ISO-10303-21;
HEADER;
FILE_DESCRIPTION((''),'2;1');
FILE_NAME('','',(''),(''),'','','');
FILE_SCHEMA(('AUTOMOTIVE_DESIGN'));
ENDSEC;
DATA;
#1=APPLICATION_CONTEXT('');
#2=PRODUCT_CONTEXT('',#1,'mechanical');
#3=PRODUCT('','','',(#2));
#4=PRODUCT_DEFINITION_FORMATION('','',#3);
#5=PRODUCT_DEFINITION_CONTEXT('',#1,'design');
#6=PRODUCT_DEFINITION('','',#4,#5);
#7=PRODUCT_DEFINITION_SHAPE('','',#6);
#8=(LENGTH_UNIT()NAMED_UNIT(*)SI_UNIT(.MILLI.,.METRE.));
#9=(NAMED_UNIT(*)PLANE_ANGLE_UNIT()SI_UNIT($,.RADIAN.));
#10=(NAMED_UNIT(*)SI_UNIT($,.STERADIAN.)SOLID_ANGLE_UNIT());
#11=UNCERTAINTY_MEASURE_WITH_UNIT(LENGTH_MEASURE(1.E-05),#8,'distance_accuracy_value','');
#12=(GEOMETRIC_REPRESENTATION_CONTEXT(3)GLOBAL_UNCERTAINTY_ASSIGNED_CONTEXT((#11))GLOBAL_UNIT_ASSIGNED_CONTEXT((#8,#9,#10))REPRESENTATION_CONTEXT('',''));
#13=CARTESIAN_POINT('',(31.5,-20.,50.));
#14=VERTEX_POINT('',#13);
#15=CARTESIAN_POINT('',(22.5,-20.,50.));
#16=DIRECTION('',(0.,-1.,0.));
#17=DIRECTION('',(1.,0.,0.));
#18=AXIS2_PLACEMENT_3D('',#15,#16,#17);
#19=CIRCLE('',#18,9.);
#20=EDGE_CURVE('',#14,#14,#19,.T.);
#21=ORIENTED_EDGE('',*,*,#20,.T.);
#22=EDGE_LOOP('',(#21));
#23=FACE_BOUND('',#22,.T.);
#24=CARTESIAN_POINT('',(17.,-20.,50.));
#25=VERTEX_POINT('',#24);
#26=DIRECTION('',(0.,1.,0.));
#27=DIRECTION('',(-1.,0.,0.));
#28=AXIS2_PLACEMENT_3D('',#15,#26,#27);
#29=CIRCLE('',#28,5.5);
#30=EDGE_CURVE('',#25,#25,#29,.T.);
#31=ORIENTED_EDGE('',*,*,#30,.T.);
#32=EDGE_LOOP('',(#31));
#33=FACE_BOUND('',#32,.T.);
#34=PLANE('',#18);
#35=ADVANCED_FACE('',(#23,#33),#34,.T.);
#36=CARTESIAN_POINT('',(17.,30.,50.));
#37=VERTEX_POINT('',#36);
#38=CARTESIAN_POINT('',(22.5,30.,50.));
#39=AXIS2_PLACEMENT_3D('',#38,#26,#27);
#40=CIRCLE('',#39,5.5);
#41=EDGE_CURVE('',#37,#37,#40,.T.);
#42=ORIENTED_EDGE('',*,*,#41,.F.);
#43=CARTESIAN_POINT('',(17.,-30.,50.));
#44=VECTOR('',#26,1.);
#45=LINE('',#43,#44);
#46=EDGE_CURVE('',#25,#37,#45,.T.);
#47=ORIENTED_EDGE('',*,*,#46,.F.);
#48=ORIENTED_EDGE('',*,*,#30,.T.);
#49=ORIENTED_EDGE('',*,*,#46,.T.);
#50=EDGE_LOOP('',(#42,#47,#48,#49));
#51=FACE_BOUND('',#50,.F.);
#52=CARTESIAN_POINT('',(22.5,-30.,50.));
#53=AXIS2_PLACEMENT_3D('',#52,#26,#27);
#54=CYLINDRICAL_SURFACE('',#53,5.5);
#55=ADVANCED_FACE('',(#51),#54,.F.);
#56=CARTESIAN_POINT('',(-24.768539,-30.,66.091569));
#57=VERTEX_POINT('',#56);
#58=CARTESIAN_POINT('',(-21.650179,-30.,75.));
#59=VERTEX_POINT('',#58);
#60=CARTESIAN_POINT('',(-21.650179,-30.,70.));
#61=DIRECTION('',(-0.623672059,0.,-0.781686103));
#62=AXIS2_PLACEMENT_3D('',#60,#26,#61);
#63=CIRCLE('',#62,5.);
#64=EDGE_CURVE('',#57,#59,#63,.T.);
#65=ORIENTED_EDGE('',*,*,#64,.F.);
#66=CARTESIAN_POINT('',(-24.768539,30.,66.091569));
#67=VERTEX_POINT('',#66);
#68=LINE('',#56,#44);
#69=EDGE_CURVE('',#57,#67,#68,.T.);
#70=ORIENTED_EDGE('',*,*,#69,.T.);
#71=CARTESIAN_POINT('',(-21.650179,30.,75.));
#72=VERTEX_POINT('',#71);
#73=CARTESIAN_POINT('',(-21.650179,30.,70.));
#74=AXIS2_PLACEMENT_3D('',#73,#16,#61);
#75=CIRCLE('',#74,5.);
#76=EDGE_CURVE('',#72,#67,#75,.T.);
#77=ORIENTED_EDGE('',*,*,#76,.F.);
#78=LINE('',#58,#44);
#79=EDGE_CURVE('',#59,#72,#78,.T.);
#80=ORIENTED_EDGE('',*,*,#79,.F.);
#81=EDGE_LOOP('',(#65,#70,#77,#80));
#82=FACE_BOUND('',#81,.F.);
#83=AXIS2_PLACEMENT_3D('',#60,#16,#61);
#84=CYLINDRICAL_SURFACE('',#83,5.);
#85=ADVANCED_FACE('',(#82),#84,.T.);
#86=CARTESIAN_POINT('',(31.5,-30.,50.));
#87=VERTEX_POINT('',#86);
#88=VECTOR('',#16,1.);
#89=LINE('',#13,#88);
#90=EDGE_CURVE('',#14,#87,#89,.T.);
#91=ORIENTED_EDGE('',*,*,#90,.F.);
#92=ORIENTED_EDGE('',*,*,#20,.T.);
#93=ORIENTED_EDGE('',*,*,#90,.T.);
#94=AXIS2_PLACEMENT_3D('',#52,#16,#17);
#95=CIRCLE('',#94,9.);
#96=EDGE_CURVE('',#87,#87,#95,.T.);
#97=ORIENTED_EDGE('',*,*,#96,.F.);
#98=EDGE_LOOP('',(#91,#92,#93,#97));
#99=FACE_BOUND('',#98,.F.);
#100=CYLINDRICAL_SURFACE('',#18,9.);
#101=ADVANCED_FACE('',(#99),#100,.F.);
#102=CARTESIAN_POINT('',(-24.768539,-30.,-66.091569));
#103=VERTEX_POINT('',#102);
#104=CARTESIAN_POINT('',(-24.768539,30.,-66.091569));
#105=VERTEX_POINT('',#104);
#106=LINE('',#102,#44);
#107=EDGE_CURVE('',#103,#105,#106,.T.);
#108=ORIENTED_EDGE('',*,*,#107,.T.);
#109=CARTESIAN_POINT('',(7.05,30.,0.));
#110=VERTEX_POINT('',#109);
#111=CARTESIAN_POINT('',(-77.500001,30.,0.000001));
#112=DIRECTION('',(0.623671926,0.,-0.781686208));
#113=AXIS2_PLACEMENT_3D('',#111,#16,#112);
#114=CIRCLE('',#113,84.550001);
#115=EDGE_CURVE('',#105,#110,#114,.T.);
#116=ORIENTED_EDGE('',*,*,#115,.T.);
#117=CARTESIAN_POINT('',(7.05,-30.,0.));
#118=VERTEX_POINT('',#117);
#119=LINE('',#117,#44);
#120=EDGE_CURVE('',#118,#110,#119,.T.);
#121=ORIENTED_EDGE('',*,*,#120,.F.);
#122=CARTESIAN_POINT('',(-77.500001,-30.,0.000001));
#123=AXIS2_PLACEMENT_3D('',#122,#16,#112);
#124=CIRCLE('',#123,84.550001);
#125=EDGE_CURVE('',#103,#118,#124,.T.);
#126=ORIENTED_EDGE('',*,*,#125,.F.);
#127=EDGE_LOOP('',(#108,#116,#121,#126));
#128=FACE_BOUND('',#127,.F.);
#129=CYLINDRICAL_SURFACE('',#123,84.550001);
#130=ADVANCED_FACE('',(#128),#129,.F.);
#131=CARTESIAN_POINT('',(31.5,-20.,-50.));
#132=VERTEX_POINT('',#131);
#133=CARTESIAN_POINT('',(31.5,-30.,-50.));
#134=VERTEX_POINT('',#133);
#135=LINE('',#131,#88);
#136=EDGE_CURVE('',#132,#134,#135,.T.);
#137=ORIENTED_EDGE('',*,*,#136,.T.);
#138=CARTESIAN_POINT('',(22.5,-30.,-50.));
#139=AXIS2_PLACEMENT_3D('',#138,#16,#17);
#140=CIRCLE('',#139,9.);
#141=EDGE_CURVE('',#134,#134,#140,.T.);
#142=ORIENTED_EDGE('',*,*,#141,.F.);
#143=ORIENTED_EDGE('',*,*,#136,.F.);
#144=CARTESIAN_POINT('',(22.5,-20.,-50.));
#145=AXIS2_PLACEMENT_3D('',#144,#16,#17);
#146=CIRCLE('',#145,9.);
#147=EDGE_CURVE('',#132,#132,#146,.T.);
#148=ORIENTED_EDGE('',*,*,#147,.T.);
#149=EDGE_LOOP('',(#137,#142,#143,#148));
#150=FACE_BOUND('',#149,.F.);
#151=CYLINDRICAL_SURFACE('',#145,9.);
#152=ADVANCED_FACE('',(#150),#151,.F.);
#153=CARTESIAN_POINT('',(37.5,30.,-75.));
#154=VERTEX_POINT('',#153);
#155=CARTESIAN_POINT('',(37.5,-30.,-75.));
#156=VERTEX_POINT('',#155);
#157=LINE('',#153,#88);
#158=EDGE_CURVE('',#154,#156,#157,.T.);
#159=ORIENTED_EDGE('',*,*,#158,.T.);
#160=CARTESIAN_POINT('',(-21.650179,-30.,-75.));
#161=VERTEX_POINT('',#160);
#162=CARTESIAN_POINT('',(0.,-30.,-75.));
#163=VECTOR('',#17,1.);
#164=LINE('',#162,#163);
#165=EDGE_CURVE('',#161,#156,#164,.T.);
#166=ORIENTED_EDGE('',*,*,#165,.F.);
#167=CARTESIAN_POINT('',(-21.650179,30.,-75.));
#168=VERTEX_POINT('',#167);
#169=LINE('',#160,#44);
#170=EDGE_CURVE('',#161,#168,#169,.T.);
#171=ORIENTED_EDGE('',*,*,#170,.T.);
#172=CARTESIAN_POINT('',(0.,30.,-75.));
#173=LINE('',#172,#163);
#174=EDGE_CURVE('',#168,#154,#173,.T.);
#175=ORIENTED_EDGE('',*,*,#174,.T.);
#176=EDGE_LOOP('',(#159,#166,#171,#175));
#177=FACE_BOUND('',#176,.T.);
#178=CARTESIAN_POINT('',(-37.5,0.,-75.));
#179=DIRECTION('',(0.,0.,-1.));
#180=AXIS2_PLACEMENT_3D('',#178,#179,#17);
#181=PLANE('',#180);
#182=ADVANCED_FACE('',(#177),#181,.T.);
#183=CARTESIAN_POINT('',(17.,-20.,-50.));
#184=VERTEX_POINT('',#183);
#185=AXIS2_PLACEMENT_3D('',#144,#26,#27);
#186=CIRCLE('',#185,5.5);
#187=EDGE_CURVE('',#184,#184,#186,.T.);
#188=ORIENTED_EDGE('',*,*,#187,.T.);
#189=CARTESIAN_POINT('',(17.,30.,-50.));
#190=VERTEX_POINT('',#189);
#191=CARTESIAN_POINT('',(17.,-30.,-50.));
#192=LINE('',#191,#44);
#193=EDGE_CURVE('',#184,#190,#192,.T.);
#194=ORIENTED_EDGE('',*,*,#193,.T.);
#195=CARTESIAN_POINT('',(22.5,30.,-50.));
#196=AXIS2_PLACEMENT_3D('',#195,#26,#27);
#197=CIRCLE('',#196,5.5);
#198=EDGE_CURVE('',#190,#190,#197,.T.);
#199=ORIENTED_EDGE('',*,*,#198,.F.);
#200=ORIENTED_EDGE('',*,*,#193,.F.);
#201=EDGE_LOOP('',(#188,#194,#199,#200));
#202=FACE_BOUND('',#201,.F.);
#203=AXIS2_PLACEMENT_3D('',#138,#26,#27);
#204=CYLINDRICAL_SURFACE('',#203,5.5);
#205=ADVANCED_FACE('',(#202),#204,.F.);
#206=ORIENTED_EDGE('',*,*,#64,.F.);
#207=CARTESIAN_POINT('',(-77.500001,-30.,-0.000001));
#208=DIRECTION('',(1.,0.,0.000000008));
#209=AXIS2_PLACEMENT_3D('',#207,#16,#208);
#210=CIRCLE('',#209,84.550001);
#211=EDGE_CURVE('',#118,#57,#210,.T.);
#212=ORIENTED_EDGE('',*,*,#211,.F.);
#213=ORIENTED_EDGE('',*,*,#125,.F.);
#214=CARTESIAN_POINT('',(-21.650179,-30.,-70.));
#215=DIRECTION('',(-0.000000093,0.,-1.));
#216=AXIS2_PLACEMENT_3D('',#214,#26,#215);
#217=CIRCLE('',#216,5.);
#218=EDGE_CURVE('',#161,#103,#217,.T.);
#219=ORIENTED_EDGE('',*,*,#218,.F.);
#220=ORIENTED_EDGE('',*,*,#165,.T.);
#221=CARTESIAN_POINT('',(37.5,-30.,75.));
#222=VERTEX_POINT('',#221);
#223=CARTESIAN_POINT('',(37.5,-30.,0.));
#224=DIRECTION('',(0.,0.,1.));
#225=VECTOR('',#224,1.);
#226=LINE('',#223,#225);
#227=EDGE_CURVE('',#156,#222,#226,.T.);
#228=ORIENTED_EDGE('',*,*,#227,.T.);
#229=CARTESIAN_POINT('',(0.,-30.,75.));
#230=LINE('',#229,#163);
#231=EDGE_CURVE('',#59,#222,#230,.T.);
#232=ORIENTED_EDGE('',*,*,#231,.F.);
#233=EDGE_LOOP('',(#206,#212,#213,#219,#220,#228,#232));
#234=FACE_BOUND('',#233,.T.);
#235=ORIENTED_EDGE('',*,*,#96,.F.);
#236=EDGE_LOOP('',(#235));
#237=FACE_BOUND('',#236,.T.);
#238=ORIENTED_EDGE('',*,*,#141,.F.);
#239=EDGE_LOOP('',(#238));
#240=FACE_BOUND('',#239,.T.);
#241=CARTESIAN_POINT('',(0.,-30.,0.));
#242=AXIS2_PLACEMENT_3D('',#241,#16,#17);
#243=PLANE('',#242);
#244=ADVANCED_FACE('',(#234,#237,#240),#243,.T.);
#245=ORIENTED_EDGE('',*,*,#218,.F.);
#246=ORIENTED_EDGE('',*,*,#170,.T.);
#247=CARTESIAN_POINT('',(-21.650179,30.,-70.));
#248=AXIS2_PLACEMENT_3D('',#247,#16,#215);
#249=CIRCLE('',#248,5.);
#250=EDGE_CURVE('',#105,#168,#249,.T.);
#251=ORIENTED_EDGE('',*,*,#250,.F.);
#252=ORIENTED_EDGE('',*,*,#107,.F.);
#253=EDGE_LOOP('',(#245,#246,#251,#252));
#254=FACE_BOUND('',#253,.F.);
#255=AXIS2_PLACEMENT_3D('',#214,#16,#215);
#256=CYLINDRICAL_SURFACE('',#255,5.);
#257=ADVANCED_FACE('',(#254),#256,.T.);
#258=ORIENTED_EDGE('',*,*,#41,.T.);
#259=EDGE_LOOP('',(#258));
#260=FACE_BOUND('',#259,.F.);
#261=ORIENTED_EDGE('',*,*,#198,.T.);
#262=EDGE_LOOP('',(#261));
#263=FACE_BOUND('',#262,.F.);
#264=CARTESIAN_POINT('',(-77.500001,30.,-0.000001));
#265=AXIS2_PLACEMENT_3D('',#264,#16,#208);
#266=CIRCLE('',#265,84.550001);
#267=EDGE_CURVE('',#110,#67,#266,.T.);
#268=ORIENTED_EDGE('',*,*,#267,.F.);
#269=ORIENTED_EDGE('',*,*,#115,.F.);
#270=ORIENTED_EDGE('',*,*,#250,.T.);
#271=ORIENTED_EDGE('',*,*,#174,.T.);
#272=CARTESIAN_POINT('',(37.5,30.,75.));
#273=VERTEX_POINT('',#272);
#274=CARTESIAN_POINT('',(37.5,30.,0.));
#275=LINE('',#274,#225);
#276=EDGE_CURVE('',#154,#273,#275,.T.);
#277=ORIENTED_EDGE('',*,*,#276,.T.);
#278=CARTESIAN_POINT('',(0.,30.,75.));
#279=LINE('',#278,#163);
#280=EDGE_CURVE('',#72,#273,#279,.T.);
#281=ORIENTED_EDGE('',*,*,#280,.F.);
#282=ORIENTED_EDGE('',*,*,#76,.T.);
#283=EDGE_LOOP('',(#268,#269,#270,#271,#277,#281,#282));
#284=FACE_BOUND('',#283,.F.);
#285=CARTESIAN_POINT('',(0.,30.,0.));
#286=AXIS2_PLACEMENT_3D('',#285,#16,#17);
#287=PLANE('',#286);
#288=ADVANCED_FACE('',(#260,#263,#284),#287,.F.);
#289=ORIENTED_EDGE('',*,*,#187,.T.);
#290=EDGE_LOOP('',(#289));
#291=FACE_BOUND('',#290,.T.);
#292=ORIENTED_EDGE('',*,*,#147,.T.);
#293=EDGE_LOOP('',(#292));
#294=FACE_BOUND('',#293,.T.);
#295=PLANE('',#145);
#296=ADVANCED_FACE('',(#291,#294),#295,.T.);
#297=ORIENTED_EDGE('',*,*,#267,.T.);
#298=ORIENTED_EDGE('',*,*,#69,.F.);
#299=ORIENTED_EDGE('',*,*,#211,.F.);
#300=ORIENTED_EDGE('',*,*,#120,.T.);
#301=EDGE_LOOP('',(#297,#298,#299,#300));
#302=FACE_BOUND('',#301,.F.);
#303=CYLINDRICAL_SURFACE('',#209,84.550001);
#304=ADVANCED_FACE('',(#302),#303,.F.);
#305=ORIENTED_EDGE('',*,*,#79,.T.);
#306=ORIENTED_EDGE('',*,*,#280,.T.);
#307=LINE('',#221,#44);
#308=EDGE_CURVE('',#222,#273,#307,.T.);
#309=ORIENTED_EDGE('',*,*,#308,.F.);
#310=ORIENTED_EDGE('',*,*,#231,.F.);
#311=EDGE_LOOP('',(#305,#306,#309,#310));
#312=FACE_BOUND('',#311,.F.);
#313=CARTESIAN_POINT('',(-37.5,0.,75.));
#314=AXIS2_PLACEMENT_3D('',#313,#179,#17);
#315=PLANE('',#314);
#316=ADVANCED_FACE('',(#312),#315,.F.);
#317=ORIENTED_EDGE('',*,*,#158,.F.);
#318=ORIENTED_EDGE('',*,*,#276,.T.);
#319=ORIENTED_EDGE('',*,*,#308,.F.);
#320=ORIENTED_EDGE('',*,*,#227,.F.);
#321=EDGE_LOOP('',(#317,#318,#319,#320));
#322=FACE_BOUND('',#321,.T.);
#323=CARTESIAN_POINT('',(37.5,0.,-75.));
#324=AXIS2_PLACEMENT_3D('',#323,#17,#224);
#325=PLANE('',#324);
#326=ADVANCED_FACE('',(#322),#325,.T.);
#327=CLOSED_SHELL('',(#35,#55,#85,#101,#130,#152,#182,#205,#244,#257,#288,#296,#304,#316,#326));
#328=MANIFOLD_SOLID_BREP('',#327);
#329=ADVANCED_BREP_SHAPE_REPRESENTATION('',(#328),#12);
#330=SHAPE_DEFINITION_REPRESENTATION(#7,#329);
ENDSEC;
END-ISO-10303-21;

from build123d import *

# Parameters (mm, degrees)
F0_W           = 75
F0_H           = 150
F1_DEPTH       = 30
F3_DEPTH       = 60.001
F5_D           = 11
F5_CBORE_D     = 18
F5_CBORE_DEPTH = 10


with BuildPart() as f1:
    # F0 (on Front) → F1 (new body, symmetric)
    with BuildSketch(Plane.XZ):
        Rectangle(F0_W, F0_H)
    extrude(amount=F1_DEPTH, both=True)

    # F2 (on face) → F3 (cut, through all)
    with BuildSketch(Plane.XZ.offset(30)):
        with BuildLine():
            ThreePointArc((-24.768539, -66.091569), (-1.31881, -36.675997), (7.05, 0))
            ThreePointArc((7.05, 0), (-1.31881, 36.675997), (-24.768539, 66.091569))
            ThreePointArc((-24.768539, 66.091569), (-162.05, 0), (-24.768539, -66.091569))
        make_face()
        with BuildLine():
            ThreePointArc((-37.5, 74.489613), (-30.944519, 70.578253), (-24.768539, 66.091569))
            ThreePointArc((-24.768539, 66.091569), (-26.369403, 71.651945), (-21.650179, 75))
            Line((-21.650179, 75), (-37.5, 75))
            Line((-37.5, 75), (-37.5, 74.489613))
        make_face()
        with BuildLine():
            ThreePointArc((-21.650179, -75), (-26.369403, -71.651945), (-24.768539, -66.091569))
            ThreePointArc((-24.768539, -66.091569), (-30.944519, -70.578253), (-37.5, -74.489613))
            Line((-37.5, -74.489613), (-37.5, -75))
            Line((-37.5, -75), (-21.650179, -75))
        make_face()
    extrude(amount=-F3_DEPTH, mode=Mode.SUBTRACT)

    # F5 (through all)
    with Locations(Plane.XZ.offset(30)):
        with Locations((22.5, 50), (22.5, -50)):
            CounterBoreHole(F5_D / 2, F5_CBORE_D / 2, F5_CBORE_DEPTH)


solid = f1.part
